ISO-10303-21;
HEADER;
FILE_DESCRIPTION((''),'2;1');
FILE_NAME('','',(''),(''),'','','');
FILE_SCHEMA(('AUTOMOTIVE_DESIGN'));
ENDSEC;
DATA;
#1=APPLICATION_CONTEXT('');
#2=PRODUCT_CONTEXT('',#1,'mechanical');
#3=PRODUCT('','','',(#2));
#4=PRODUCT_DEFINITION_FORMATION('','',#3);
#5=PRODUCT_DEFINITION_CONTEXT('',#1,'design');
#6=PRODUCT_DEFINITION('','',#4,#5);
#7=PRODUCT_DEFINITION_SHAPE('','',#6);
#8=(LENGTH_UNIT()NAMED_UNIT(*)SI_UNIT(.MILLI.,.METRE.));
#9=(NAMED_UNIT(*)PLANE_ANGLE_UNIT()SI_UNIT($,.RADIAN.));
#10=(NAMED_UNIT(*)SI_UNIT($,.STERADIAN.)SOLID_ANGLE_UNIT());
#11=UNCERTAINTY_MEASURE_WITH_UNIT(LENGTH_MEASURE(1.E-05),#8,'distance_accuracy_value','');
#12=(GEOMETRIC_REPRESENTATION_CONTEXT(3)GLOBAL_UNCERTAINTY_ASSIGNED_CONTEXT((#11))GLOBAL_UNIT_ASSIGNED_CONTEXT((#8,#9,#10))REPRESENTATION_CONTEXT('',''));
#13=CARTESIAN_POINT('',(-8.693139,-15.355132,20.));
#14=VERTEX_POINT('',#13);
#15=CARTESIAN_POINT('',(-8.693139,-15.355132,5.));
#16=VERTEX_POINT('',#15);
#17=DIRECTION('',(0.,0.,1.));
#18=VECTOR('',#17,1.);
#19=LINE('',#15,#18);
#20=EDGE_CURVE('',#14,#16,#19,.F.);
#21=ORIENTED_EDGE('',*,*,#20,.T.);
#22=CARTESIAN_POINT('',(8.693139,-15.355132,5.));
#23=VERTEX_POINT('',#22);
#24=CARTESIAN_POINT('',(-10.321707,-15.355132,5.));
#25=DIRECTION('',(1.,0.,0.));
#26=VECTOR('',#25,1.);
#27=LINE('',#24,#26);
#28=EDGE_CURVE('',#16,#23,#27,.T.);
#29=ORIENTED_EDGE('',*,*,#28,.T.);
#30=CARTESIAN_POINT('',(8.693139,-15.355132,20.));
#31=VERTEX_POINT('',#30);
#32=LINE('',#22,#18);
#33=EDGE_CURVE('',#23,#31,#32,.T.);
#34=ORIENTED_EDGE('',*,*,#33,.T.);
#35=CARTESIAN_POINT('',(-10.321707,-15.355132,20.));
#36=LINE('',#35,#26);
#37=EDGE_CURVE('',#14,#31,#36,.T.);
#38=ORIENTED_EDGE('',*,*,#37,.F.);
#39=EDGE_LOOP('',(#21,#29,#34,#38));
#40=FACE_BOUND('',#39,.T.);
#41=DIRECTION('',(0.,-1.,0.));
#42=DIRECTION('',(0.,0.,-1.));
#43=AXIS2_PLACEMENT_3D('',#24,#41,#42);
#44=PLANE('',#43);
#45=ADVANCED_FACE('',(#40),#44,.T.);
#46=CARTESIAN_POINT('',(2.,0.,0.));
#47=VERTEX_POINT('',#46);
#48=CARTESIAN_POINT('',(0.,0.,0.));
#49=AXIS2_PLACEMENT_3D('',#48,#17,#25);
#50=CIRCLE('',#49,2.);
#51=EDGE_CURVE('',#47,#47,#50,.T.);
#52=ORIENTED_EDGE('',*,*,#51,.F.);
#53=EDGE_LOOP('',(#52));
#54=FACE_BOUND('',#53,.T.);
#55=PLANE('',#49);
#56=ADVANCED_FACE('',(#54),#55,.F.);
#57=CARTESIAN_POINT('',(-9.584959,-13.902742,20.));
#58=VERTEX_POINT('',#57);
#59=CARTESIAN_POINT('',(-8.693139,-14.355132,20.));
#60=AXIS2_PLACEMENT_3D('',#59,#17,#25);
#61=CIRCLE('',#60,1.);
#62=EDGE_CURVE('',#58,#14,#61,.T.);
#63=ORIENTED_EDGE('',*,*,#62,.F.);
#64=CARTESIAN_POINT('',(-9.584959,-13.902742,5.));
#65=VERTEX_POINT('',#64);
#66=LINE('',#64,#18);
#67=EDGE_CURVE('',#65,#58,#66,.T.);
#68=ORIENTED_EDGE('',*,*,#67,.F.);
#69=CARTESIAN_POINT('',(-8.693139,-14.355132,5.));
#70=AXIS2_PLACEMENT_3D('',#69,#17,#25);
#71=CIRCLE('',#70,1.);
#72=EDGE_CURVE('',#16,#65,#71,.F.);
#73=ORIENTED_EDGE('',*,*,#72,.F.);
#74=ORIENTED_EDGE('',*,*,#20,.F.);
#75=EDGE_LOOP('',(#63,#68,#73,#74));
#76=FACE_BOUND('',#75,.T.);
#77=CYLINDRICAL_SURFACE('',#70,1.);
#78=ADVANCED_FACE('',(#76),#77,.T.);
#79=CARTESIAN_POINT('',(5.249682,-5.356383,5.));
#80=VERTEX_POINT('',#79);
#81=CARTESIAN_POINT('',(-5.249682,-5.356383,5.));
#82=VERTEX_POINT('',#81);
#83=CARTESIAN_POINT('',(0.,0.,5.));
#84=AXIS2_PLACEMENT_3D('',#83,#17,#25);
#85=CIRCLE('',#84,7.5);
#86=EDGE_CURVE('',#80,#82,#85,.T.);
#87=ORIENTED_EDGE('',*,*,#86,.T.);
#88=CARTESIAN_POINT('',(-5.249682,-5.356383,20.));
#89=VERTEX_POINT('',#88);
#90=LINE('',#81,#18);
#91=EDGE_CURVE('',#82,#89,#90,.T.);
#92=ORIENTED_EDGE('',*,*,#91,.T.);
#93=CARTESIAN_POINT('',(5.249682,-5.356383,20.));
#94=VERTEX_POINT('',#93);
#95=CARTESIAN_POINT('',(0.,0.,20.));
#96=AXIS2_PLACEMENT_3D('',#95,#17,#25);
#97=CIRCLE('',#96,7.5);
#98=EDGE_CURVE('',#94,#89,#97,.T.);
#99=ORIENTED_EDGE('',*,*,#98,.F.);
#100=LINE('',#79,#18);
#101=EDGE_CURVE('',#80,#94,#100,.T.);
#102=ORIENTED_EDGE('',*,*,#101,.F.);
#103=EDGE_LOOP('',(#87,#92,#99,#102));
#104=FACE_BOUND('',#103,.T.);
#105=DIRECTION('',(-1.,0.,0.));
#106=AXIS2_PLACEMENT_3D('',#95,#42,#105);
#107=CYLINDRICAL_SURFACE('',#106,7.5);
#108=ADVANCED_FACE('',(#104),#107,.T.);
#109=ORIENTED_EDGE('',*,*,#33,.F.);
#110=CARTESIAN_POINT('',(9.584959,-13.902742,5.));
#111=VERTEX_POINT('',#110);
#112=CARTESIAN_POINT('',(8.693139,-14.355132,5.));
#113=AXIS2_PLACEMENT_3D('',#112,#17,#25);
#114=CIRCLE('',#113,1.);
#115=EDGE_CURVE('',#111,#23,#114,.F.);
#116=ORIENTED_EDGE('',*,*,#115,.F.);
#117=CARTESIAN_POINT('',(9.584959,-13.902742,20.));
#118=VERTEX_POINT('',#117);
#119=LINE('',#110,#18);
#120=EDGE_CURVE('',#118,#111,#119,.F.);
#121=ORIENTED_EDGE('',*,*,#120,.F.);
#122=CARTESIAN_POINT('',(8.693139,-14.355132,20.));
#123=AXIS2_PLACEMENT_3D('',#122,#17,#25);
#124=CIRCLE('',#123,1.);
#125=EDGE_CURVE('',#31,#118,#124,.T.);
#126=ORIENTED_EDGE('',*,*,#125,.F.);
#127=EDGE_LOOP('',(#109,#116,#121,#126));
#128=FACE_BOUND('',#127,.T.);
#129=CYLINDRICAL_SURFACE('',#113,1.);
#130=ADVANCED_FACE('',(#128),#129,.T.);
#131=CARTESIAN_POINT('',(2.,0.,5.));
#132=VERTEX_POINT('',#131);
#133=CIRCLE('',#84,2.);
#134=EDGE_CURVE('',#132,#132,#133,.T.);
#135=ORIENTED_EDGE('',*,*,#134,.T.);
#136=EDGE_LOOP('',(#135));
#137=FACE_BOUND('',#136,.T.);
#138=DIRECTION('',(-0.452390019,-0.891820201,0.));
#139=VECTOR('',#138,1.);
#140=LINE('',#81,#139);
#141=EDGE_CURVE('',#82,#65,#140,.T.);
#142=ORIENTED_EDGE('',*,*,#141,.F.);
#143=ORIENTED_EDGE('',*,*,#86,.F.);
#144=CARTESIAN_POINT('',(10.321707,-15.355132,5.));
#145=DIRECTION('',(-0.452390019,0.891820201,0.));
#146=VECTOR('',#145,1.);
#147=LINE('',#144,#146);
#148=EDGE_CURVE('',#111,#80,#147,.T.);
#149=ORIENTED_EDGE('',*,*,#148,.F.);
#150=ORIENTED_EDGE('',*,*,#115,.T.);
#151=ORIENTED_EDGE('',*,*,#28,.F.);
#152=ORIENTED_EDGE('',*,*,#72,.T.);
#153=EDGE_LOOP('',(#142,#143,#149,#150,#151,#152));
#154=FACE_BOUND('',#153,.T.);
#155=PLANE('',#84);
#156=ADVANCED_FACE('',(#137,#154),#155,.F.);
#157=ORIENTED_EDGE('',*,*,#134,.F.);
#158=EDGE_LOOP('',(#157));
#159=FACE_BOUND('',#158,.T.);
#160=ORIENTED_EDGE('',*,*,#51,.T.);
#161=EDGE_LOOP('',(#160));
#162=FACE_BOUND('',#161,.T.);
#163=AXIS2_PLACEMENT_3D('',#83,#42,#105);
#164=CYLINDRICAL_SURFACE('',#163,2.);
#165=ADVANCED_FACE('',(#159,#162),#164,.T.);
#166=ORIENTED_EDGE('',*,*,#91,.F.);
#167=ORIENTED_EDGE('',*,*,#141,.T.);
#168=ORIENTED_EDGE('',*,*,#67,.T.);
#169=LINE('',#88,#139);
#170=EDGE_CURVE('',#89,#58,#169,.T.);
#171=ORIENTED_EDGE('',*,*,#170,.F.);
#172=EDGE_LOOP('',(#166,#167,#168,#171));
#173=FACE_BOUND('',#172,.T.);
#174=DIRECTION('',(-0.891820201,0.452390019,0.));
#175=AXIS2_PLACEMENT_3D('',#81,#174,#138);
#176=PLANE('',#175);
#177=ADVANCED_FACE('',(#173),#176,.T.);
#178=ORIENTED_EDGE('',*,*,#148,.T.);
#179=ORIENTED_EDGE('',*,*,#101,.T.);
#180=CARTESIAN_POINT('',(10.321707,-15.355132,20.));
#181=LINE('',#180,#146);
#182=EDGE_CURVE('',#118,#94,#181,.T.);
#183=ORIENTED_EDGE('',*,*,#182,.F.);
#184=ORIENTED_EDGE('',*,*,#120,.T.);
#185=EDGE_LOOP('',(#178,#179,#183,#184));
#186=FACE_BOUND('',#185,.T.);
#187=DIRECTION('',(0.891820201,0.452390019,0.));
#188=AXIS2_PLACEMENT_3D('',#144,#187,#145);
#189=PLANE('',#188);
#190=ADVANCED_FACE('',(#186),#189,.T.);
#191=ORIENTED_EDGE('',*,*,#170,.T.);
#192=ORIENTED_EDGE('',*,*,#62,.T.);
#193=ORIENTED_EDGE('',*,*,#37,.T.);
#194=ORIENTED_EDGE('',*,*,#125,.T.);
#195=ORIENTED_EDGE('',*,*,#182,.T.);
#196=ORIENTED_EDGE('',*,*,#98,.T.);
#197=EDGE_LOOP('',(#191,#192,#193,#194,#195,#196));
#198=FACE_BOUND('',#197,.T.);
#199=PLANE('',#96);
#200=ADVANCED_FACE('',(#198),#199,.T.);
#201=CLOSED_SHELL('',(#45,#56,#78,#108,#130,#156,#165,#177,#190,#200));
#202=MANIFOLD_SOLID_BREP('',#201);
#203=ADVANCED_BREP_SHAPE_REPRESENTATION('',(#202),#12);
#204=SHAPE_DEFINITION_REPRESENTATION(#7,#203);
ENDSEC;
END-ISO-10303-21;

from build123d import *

# Parameters (mm, degrees)
SKETCH1_R           = 2
BOSS_EXTRUDE1_DEPTH = 5
SKETCH2_R           = 7.5
BOSS_EXTRUDE2_DEPTH = 15
BOSS_EXTRUDE3_DEPTH = 15
FILLET1_R           = 1


with BuildPart() as part:
    # Sketch1 → Boss-Extrude1 (new body)
    with BuildSketch(Plane.XY):
        Circle(SKETCH1_R)
    extrude(amount=BOSS_EXTRUDE1_DEPTH)

    # Sketch2 → Boss-Extrude2 (add)
    with BuildSketch(Plane.XY.offset(5)):
        Circle(SKETCH2_R)
    extrude(amount=BOSS_EXTRUDE2_DEPTH)

    # Sketch3 → Boss-Extrude3 (add)
    with BuildSketch(Plane.XY.offset(20)):
        Polygon((-5.249682076, -5.356382931), (-10.321706995, -15.355132011), (10.321706995, -15.355132011), (5.249682076, -5.356382931), align=None)
    extrude(amount=-BOSS_EXTRUDE3_DEPTH)

    # Fillet1
    fillet1_edges = [part.edges().sort_by_distance(p)[0] for p in [
        (10.321706995, -15.355132011, 12.5),
        (-10.321706995, -15.355132011, 12.5),
    ]]
    fillet(fillet1_edges, radius=FILLET1_R)


solid = part.part
